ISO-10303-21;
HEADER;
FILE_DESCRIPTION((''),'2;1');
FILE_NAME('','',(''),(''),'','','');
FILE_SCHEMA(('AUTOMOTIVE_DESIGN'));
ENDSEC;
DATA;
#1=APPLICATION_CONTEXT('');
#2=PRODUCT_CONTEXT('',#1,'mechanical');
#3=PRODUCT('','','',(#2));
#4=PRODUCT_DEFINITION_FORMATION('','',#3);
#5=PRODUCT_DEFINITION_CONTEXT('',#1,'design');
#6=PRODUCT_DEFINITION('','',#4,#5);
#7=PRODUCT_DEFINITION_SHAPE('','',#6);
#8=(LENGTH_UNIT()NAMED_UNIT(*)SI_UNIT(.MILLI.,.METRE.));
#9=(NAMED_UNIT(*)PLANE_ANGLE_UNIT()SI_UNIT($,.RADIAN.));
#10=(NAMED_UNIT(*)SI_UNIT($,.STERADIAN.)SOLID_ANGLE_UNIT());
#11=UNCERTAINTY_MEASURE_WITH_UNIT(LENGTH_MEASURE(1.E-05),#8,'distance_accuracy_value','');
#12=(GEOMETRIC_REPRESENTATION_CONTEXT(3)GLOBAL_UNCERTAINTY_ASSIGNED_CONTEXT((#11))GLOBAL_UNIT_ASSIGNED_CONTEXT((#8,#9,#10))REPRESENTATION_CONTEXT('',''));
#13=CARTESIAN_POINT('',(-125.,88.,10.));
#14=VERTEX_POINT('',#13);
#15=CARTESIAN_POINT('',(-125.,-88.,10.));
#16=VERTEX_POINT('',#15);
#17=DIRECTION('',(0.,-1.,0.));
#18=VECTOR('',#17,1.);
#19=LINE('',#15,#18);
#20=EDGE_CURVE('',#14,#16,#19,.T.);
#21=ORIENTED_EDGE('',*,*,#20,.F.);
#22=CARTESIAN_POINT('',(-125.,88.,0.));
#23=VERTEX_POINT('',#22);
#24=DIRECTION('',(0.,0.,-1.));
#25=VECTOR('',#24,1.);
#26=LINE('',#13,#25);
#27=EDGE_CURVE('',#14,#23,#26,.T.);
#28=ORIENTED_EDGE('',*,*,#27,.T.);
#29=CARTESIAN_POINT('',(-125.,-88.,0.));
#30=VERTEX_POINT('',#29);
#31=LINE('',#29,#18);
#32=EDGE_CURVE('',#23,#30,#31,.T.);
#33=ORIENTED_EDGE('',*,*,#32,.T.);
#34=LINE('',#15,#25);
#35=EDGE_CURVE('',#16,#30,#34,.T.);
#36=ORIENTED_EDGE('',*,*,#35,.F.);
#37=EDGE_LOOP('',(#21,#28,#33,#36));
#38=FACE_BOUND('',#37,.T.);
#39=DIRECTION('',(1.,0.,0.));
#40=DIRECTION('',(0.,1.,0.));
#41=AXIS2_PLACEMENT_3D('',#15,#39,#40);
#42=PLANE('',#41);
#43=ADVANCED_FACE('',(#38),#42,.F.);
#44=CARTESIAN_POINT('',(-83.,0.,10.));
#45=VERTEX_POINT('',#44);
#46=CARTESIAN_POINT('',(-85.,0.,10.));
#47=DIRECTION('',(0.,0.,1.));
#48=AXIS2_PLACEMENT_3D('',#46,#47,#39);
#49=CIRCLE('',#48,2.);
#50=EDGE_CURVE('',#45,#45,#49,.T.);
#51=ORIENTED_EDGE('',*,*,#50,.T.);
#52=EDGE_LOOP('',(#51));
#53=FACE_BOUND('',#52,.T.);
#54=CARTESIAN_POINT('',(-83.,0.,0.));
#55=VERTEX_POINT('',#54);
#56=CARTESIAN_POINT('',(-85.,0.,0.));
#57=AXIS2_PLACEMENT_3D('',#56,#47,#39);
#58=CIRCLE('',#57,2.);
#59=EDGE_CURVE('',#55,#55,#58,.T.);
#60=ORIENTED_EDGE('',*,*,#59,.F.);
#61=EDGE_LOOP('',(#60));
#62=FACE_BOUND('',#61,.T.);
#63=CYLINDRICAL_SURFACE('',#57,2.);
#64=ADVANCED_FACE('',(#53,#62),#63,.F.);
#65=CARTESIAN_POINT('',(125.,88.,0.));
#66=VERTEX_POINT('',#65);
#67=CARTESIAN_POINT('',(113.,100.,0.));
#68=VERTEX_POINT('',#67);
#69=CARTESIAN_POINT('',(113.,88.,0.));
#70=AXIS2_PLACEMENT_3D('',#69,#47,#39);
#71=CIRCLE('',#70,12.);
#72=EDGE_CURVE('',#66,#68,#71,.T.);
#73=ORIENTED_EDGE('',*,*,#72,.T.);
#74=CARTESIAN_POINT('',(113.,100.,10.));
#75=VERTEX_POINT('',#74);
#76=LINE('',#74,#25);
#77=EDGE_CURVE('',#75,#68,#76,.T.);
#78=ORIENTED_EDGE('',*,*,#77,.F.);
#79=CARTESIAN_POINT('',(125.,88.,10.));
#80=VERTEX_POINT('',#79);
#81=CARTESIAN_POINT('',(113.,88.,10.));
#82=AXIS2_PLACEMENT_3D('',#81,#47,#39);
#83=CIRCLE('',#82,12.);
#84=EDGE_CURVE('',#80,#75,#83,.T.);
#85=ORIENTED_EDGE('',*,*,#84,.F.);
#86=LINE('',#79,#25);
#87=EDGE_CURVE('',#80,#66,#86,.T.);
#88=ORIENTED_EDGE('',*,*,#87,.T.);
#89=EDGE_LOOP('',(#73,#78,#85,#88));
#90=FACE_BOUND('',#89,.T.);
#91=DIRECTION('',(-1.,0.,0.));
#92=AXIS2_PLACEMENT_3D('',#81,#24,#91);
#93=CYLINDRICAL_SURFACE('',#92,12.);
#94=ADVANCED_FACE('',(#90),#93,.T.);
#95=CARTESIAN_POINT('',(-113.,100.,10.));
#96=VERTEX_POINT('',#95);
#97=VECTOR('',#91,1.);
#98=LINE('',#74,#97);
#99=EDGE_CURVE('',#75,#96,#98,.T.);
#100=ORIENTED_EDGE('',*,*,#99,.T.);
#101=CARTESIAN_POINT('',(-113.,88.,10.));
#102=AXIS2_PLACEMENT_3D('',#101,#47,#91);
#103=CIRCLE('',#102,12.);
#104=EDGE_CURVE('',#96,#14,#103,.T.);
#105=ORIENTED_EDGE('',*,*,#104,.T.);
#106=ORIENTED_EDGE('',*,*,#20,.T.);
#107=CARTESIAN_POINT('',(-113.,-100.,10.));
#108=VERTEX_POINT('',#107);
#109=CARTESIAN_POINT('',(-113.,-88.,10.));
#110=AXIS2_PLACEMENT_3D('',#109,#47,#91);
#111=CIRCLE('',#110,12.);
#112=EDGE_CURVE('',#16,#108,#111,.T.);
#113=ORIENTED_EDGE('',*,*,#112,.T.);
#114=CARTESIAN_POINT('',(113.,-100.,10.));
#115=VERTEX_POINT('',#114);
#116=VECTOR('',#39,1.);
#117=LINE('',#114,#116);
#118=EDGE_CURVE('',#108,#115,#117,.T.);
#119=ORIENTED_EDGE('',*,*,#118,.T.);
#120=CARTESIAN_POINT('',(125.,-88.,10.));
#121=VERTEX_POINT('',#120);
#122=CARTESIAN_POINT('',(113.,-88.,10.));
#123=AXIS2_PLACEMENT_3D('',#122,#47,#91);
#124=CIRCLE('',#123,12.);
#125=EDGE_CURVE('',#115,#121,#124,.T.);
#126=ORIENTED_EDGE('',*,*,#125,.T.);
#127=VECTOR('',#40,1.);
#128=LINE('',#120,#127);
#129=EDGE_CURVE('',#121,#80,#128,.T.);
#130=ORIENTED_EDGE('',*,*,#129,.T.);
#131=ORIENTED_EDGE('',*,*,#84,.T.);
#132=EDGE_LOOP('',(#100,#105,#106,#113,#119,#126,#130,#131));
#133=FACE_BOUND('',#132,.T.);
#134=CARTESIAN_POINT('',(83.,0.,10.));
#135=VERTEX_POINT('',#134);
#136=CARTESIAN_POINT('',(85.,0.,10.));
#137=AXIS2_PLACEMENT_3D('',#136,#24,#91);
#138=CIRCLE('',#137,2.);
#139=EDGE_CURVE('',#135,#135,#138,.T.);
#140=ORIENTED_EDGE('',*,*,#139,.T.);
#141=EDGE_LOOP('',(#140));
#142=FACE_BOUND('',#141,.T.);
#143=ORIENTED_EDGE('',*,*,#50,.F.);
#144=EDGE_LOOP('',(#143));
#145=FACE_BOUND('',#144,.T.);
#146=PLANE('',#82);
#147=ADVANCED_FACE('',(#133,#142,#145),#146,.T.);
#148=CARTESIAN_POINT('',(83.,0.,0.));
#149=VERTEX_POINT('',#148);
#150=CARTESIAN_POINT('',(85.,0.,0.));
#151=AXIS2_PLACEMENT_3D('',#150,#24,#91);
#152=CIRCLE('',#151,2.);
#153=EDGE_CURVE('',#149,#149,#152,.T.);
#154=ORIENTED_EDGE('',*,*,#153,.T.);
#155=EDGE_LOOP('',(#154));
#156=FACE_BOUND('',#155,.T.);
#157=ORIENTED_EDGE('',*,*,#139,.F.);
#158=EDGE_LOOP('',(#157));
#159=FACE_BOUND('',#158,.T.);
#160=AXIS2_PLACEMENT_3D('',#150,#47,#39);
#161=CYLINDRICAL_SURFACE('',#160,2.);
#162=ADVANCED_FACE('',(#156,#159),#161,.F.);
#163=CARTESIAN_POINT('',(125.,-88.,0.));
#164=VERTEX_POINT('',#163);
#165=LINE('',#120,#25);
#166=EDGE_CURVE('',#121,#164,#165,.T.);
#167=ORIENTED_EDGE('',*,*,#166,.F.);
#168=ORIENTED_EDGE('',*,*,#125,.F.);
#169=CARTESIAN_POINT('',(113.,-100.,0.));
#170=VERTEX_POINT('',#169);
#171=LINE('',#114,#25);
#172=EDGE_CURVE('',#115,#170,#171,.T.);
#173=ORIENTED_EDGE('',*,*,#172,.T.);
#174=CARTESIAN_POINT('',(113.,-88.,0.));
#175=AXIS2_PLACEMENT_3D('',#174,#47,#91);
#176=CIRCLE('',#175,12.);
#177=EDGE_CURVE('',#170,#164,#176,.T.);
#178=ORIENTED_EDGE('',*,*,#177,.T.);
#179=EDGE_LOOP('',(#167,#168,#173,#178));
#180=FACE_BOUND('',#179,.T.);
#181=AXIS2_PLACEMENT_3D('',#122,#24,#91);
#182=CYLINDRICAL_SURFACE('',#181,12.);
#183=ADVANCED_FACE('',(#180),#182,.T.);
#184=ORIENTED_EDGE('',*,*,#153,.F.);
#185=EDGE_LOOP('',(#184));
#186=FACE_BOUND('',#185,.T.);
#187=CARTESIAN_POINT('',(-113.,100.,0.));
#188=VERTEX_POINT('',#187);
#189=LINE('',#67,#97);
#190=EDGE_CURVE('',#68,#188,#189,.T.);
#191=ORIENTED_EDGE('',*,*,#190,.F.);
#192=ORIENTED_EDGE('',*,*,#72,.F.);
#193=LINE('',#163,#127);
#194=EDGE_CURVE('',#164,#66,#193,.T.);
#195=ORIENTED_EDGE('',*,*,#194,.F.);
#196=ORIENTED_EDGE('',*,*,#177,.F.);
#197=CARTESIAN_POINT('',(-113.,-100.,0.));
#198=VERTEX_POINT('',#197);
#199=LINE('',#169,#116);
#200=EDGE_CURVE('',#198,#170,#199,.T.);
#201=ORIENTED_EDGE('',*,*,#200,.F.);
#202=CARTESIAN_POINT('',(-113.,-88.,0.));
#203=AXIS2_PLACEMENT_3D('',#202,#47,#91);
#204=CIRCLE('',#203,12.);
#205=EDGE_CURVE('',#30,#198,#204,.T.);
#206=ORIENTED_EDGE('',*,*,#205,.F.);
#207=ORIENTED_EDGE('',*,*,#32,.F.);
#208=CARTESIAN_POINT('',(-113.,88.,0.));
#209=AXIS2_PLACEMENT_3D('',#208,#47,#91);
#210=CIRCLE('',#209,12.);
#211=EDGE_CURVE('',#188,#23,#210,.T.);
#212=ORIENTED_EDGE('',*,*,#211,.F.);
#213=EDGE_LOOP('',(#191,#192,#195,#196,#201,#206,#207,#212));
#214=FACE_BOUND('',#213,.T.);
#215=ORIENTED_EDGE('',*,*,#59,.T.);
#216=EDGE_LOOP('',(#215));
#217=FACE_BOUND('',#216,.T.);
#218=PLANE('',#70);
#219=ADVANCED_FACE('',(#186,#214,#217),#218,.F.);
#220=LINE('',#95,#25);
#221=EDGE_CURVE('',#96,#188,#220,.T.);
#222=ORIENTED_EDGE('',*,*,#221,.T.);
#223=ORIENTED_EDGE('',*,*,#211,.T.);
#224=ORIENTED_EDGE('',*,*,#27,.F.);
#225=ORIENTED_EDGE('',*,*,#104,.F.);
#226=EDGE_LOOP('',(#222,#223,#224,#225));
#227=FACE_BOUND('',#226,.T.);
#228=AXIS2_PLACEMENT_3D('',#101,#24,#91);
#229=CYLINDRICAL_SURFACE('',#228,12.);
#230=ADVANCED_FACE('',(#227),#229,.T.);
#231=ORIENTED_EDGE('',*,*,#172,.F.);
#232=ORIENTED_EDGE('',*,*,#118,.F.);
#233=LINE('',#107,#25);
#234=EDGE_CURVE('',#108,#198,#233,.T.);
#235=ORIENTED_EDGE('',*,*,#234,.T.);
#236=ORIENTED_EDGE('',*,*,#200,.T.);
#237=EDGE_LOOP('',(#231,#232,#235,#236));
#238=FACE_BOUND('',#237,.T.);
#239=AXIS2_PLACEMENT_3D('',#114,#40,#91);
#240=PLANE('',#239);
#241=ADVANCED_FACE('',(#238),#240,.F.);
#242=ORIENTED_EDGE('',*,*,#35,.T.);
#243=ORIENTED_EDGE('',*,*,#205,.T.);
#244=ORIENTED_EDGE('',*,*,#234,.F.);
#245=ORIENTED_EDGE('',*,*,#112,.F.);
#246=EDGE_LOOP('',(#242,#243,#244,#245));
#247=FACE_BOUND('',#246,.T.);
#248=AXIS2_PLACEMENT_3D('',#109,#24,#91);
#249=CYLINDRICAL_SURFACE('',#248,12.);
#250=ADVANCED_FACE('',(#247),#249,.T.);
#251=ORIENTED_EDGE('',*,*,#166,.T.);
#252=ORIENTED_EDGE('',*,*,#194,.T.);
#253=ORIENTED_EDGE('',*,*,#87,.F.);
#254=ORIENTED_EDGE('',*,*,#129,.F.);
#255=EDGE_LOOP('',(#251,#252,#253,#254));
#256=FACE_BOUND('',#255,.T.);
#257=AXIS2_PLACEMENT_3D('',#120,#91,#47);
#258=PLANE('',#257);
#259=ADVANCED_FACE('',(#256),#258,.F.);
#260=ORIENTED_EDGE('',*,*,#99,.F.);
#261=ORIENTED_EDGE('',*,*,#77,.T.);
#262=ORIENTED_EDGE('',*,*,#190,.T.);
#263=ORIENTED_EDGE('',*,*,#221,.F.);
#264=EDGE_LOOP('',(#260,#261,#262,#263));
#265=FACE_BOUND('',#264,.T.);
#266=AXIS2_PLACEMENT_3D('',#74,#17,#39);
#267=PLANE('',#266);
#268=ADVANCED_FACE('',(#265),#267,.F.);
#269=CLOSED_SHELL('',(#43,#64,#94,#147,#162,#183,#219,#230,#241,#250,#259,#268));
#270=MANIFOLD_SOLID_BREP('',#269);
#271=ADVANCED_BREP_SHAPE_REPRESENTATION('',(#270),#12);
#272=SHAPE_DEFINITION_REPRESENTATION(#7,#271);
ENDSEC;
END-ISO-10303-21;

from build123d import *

# Parameters (mm, degrees)
SALIENTE_EXTRUIR1_DEPTH = 10
CROQUIS2_R              = 2
CORTAR_EXTRUIR1_DEPTH   = 10


with BuildPart() as part:
    # Croquis1 → Saliente-Extruir1 (new body)
    with BuildSketch(Plane.XY):
        with BuildLine():
            Line((113, -100), (-113, -100))
            ThreePointArc((-113, -100), (-121.485281374, -96.485281374), (-125, -88))
            Line((-125, -88), (-125, 88))
            ThreePointArc((-125, 88), (-121.485281374, 96.485281374), (-113, 100))
            Line((-113, 100), (113, 100))
            ThreePointArc((113, 100), (121.485281374, 96.485281374), (125, 88))
            Line((125, 88), (125, -88))
            ThreePointArc((125, -88), (121.485281374, -96.485281374), (113, -100))
        make_face()
    extrude(amount=SALIENTE_EXTRUIR1_DEPTH)

    # Croquis2 → Cortar-Extruir1 (cut)
    with BuildSketch(Plane.XY.offset(10)):
        with Locations((-85, 0)):
            Circle(CROQUIS2_R)
        with Locations(Location((85, 0, 0), (0, 0, 180))):
            Circle(CROQUIS2_R)
    extrude(amount=-CORTAR_EXTRUIR1_DEPTH, mode=Mode.SUBTRACT)


solid = part.part
